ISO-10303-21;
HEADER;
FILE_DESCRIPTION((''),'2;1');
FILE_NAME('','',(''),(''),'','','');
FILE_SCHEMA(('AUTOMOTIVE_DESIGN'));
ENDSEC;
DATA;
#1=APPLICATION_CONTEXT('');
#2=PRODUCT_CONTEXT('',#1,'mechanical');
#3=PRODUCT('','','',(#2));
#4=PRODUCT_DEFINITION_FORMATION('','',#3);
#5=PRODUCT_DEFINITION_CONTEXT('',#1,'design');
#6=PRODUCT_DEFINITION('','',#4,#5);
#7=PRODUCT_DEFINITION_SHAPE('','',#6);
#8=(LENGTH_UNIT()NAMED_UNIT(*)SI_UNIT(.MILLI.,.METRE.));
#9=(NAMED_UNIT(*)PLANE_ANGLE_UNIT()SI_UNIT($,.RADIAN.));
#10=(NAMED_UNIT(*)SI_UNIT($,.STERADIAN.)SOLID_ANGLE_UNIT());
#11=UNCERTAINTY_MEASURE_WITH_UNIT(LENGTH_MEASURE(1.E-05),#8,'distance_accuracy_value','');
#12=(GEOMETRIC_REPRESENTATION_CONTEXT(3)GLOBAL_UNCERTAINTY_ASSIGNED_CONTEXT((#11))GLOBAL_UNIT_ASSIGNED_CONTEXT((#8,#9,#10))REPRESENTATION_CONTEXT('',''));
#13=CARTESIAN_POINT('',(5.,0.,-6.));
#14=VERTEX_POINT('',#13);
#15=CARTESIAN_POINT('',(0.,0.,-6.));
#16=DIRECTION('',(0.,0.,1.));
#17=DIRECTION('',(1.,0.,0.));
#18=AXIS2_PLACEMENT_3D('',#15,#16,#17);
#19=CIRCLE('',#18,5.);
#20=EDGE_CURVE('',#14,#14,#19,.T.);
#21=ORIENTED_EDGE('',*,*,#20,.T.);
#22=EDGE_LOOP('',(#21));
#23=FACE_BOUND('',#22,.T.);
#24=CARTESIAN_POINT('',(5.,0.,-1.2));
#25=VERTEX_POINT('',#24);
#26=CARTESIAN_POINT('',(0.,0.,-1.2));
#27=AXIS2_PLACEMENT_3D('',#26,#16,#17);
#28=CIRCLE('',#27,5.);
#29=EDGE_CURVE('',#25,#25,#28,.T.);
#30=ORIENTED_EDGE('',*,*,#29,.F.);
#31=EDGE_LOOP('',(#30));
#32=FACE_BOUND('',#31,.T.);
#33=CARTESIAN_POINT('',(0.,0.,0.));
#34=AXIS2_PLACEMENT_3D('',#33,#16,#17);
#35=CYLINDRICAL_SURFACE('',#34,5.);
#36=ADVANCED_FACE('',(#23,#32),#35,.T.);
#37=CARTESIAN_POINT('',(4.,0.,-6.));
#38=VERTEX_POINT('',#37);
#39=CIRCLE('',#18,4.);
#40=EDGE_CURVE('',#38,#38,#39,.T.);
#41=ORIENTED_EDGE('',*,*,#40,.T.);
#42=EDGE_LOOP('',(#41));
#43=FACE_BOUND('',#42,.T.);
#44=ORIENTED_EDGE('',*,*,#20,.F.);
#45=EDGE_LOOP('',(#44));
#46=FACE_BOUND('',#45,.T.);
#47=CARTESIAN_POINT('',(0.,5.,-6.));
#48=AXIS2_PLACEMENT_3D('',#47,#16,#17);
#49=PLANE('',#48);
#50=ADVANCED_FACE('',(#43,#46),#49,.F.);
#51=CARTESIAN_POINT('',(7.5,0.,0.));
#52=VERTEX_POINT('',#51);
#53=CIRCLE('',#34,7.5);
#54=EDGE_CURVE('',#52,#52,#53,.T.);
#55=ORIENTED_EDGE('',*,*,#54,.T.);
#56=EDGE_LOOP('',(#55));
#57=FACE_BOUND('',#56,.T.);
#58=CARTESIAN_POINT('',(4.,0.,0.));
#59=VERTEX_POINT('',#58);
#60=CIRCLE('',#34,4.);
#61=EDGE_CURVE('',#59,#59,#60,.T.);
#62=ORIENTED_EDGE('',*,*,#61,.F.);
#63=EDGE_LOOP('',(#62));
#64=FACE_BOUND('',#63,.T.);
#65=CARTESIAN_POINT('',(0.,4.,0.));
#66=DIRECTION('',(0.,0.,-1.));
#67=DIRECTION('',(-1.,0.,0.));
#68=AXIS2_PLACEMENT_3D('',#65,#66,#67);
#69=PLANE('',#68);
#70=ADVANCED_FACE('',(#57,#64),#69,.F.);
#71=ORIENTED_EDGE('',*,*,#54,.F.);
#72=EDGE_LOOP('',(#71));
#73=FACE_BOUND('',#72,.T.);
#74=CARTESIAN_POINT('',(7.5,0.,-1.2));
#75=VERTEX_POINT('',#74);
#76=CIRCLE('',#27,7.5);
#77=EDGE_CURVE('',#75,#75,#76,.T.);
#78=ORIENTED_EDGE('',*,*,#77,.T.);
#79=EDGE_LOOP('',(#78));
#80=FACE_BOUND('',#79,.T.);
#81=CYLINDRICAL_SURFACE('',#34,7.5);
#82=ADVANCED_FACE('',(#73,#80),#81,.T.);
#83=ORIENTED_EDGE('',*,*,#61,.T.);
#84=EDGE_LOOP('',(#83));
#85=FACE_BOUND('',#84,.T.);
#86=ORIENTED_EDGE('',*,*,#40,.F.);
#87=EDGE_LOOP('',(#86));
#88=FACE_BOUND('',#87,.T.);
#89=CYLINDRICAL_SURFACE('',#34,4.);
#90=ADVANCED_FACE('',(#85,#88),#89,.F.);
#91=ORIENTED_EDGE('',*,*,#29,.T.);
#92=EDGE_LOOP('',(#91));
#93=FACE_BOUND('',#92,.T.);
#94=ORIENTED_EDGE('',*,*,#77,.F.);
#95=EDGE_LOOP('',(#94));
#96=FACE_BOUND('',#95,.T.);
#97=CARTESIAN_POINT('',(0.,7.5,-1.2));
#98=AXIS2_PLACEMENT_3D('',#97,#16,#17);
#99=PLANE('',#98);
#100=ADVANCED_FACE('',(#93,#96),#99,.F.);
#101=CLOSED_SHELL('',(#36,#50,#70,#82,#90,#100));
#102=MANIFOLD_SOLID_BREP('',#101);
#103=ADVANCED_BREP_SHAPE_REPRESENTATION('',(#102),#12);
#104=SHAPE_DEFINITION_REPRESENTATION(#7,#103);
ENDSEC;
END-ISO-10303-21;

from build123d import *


with BuildPart() as part:
    # Sketch1 → Revolve1 (revolve)
    with BuildSketch(Plane(origin=(0, 0, 0), x_dir=(0, 0, -1), z_dir=(1, 0, 0))):
        Polygon((0, 4), (0, 7.5), (1.2, 7.5), (1.2, 5), (6, 5), (6, 4), align=None)
    revolve(axis=Axis((0, 0, 0), (0, 0, -1)))


solid = part.part
